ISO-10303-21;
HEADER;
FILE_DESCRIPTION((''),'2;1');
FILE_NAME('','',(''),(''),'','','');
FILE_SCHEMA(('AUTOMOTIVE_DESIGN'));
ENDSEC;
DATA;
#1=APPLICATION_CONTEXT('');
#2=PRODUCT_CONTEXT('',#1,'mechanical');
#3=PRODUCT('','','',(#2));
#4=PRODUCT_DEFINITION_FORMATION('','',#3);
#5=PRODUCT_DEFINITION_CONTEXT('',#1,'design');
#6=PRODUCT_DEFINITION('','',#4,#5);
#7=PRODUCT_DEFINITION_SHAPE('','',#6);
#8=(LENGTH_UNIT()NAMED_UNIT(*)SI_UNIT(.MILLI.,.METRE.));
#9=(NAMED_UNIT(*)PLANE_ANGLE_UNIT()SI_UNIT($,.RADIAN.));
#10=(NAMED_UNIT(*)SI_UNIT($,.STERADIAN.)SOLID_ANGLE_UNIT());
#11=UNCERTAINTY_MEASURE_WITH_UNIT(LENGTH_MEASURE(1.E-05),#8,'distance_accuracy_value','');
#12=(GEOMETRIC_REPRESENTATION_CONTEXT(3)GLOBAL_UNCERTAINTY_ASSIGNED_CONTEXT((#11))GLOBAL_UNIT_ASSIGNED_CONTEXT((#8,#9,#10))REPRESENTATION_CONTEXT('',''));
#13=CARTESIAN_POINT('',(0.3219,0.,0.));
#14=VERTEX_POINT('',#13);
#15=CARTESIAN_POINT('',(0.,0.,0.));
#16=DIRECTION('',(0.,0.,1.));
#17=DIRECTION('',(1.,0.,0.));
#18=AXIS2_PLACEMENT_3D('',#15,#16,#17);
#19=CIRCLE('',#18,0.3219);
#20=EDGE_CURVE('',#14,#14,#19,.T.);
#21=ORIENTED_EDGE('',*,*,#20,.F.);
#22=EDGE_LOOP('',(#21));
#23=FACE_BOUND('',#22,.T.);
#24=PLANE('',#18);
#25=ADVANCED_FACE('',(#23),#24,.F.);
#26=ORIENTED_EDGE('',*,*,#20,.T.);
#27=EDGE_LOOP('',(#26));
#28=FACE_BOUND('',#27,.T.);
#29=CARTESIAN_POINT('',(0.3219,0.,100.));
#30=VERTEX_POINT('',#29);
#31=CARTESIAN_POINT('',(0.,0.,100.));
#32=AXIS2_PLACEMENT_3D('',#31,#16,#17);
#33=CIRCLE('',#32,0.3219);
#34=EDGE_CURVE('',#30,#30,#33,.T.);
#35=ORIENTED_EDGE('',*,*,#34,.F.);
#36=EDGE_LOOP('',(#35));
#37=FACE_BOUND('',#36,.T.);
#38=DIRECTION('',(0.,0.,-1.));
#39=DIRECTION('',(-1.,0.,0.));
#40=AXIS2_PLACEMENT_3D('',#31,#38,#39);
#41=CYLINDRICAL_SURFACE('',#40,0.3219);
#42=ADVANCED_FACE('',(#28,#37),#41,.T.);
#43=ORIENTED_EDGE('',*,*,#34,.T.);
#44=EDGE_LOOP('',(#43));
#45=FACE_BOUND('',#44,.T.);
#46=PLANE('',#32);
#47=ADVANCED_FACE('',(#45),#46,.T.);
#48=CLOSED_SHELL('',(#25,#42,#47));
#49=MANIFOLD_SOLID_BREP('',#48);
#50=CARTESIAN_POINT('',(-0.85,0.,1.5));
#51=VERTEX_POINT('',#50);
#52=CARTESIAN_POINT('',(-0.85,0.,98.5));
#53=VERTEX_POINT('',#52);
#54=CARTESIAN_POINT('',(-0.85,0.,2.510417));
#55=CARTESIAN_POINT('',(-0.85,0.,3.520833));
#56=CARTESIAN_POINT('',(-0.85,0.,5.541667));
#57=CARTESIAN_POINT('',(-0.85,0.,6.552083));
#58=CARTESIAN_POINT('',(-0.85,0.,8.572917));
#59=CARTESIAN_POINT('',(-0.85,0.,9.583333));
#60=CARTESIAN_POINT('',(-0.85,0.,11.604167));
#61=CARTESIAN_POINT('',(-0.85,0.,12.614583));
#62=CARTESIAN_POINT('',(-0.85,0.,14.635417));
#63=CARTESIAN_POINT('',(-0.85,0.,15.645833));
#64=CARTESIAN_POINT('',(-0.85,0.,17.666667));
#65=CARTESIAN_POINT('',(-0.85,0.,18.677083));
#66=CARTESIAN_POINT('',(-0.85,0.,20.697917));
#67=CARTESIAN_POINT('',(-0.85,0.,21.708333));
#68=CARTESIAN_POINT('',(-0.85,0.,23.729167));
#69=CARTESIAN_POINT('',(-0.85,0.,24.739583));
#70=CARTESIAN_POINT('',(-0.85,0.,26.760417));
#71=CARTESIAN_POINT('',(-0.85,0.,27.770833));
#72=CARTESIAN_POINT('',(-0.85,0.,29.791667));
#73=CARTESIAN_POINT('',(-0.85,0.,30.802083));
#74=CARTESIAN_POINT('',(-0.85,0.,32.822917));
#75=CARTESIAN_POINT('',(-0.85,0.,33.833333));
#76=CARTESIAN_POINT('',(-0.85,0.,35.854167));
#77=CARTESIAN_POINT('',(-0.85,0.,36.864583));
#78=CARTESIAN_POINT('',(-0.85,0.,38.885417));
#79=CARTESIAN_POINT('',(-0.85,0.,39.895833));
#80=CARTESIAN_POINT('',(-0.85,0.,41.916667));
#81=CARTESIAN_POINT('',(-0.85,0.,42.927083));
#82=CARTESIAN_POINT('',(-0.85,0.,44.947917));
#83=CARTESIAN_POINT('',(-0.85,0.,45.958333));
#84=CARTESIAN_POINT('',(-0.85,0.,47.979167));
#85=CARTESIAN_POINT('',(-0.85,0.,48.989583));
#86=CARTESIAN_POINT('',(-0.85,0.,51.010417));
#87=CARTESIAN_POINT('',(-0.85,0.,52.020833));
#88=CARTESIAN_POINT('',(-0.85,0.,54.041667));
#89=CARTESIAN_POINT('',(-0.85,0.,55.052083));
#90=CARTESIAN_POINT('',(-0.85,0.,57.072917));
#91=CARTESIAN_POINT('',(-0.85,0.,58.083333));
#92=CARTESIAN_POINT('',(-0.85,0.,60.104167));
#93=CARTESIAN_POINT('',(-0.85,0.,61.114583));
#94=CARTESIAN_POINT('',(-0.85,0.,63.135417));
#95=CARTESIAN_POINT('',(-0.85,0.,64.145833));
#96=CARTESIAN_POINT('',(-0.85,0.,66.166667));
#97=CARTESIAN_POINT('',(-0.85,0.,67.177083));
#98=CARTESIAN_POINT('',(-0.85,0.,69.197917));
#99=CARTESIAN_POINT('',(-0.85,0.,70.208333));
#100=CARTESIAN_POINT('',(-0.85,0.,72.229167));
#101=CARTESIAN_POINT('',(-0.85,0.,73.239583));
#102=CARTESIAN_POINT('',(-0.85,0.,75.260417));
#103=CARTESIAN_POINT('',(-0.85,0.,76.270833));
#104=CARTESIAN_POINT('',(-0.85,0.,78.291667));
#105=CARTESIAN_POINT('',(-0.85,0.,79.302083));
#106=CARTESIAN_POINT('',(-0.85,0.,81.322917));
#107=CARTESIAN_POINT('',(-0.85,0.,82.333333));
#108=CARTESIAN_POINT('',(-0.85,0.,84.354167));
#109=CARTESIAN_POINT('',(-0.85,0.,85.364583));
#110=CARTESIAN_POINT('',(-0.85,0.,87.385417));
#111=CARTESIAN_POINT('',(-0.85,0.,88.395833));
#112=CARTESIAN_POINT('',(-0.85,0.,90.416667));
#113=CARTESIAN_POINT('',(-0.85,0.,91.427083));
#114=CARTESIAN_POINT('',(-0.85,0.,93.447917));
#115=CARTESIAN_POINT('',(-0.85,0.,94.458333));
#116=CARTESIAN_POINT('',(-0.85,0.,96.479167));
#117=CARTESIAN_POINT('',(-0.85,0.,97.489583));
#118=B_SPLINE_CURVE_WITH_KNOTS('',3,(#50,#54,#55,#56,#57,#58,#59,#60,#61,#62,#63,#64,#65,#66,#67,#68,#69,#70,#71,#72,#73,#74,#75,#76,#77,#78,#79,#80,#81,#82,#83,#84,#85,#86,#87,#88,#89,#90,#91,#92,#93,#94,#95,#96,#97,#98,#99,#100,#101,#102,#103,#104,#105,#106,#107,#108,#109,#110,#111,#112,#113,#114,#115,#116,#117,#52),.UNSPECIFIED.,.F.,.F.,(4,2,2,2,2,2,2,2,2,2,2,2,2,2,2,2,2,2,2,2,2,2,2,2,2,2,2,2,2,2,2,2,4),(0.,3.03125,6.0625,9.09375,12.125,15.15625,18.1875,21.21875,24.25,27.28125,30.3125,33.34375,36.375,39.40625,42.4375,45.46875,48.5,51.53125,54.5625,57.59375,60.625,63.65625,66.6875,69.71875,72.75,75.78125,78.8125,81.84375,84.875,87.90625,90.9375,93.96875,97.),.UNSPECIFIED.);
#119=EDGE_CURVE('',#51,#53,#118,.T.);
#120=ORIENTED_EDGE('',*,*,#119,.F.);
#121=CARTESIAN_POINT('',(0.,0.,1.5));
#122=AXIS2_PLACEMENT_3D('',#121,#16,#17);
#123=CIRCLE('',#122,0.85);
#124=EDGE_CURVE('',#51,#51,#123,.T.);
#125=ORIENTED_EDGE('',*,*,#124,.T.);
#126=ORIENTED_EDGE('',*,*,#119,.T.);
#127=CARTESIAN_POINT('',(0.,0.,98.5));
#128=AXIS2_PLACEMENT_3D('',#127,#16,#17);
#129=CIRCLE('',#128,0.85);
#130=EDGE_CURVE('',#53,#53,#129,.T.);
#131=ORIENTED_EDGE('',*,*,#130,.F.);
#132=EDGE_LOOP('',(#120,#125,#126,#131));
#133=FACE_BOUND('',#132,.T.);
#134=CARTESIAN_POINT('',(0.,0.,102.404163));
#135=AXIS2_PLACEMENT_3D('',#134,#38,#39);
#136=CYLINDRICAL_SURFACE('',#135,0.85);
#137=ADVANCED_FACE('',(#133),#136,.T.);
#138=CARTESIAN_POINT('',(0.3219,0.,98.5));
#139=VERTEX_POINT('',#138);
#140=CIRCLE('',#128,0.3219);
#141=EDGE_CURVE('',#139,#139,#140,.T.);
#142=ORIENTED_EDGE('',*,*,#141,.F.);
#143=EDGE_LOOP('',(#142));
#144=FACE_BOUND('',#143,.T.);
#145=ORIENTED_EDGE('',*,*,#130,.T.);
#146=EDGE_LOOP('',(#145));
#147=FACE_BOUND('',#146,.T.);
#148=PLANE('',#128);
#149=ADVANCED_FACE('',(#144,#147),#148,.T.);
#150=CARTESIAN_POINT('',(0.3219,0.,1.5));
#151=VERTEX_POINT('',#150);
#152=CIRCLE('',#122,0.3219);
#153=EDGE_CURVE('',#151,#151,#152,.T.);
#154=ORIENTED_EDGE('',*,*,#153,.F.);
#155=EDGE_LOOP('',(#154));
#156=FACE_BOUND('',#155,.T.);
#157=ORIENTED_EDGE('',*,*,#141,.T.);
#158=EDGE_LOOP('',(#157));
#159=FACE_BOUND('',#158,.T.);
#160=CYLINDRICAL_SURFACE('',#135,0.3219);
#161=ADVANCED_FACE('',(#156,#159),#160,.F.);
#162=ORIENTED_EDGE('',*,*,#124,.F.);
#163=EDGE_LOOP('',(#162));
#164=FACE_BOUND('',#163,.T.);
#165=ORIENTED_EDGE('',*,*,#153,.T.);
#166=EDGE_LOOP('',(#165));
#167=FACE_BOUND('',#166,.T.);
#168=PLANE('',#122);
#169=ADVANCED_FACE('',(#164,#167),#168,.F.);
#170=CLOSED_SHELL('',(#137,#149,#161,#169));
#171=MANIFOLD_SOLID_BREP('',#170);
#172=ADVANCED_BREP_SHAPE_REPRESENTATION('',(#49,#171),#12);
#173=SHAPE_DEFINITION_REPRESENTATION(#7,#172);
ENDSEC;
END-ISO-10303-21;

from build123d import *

# Parameters (mm, degrees)
SKETCH1_R           = 0.3219
BOSS_EXTRUDE1_DEPTH = 100
BOSS_EXTRUDE2_START = 1.5
SKETCH1_3_R         = 0.85
SKETCH1_3_R_2       = 0.3219
BOSS_EXTRUDE2_DEPTH = 97


with BuildPart() as part:
    # Sketch1 → Boss-Extrude1 (new body)
    with BuildSketch(Plane.XY):
        Circle(SKETCH1_R)
    extrude(amount=BOSS_EXTRUDE1_DEPTH)


with BuildPart() as body_2:
    # Sketch1<3> → Boss-Extrude2 (new body)
    with BuildSketch(Plane.XY.offset(BOSS_EXTRUDE2_START)):
        with Locations(Location((0, 0, 0), (0, 0, 180))):
            Circle(SKETCH1_3_R)
        Circle(SKETCH1_3_R_2, mode=Mode.SUBTRACT)
    extrude(amount=BOSS_EXTRUDE2_DEPTH)


solid = Compound([part.part, body_2.part])
